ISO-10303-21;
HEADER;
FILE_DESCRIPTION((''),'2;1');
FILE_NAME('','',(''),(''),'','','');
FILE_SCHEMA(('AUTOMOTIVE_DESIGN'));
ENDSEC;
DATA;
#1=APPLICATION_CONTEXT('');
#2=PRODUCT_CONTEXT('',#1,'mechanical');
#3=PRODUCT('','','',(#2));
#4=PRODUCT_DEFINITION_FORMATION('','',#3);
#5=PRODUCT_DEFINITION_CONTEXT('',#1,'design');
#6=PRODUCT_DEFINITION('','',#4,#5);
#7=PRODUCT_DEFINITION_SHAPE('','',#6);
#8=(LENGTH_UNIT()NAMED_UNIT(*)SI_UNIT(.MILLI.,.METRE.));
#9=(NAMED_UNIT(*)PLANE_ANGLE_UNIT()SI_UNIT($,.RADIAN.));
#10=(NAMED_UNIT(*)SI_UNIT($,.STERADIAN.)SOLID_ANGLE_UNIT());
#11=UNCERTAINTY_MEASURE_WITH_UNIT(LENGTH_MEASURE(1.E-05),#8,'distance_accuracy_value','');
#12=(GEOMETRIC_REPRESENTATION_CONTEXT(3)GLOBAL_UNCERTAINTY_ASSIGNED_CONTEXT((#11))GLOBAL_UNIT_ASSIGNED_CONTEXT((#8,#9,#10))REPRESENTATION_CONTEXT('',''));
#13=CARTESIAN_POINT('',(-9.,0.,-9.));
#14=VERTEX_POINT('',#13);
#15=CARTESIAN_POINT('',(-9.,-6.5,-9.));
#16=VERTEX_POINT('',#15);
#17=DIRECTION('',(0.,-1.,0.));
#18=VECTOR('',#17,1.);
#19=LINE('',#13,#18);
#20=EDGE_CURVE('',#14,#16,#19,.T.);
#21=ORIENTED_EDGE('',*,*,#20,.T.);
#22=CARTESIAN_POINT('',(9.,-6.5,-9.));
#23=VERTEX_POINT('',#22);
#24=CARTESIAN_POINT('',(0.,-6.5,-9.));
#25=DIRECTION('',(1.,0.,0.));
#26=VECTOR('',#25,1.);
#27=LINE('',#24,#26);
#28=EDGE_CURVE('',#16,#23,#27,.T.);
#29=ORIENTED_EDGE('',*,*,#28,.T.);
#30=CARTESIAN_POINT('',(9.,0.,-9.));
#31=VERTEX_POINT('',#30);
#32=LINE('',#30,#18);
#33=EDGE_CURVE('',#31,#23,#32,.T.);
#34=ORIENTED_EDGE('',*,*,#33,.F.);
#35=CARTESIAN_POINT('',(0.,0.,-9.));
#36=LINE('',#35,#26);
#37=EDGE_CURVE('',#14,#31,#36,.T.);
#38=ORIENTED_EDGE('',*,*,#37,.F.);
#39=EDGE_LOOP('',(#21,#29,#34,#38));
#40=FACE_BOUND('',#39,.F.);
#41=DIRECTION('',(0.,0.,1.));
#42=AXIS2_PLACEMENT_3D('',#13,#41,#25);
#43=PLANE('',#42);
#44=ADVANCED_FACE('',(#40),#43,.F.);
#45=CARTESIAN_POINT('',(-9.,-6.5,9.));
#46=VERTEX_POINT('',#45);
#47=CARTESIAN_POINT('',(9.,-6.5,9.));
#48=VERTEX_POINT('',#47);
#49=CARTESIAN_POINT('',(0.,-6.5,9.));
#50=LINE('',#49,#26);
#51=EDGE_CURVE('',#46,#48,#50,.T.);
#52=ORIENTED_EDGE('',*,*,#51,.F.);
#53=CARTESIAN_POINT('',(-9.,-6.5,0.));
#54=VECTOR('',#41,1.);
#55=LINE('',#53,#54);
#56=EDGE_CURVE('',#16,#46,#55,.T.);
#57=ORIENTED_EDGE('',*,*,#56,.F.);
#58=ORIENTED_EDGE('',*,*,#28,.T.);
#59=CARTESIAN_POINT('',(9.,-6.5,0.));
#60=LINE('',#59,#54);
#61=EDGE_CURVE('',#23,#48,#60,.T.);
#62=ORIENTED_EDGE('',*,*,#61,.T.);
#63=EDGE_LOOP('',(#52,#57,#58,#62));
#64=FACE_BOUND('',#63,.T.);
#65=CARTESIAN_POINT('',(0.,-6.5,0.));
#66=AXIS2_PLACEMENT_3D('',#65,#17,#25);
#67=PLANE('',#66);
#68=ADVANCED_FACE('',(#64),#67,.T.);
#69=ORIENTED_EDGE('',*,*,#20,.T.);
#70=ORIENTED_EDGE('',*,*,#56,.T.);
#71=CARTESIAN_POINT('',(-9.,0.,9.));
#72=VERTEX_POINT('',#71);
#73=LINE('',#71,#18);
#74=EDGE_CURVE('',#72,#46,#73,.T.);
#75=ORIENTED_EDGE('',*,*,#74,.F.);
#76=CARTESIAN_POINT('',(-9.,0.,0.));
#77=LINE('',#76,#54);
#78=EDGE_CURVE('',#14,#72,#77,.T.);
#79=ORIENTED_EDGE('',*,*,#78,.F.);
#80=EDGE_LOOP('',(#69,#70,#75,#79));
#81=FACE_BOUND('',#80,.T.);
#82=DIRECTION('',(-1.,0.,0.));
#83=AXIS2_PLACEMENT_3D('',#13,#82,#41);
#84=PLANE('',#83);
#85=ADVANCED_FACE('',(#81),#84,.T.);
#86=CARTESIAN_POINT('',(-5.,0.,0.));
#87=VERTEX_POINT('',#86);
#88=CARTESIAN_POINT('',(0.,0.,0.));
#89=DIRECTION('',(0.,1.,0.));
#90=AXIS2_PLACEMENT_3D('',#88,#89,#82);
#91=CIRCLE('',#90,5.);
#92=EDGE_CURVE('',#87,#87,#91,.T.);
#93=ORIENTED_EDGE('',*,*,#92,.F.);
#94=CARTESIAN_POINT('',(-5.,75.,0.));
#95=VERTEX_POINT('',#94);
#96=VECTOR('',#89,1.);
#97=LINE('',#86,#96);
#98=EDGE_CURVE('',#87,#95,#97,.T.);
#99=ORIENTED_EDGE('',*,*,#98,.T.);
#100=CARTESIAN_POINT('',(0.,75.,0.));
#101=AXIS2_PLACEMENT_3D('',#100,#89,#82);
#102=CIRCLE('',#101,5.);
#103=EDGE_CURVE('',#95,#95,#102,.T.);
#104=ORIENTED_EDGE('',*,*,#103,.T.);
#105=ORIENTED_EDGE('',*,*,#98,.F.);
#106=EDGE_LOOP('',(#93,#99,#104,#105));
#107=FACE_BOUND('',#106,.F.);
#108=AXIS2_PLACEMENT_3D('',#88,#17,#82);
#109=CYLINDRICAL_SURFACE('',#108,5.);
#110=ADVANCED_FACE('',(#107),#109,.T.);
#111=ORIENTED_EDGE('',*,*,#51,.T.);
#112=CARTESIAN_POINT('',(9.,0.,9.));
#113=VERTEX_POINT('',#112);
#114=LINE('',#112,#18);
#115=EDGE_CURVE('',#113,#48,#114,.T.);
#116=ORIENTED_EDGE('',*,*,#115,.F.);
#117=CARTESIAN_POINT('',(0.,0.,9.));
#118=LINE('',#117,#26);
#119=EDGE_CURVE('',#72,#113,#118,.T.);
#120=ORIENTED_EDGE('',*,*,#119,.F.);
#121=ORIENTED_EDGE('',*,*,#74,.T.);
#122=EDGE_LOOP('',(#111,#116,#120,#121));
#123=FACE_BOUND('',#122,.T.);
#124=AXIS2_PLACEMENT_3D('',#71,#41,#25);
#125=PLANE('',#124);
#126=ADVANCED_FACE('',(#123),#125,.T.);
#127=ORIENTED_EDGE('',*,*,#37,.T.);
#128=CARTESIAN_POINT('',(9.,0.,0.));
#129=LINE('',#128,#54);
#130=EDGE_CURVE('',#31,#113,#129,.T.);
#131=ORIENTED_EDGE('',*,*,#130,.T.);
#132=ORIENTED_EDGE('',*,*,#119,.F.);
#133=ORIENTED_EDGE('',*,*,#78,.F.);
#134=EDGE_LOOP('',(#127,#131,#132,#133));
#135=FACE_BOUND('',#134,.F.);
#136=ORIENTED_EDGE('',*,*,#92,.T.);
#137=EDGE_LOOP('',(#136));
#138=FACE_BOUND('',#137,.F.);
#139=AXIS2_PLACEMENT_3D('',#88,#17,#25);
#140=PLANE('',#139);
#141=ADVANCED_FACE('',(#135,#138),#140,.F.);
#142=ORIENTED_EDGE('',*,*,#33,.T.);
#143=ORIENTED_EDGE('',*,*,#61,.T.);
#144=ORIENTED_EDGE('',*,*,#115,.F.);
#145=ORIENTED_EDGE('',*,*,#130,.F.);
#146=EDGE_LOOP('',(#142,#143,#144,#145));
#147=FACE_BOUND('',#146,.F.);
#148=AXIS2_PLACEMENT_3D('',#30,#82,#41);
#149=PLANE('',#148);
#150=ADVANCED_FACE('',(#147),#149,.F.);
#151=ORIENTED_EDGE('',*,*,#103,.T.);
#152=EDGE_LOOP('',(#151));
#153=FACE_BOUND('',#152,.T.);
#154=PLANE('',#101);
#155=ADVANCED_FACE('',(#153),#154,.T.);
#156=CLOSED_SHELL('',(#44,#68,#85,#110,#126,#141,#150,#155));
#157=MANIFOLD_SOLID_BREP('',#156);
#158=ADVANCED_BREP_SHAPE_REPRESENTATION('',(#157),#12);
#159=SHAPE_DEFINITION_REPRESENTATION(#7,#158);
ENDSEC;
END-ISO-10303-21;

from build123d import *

# Parameters (mm, degrees)
F0_W     = 18
F0_H     = 18
F1_DEPTH = 6.5
F2_R     = 5
F3_DEPTH = 75


with BuildPart() as f1:
    # F0 (on Front) → F1 (new body)
    with BuildSketch(Plane.XZ):
        Rectangle(F0_W, F0_H)
    extrude(amount=F1_DEPTH)

    # F2 (on face) → F3 (join)
    with BuildSketch(Plane(origin=(0, 0, 0), x_dir=(-1, 0, 0), z_dir=(0, 1, 0))):
        Circle(F2_R)
    extrude(amount=F3_DEPTH)


solid = f1.part
